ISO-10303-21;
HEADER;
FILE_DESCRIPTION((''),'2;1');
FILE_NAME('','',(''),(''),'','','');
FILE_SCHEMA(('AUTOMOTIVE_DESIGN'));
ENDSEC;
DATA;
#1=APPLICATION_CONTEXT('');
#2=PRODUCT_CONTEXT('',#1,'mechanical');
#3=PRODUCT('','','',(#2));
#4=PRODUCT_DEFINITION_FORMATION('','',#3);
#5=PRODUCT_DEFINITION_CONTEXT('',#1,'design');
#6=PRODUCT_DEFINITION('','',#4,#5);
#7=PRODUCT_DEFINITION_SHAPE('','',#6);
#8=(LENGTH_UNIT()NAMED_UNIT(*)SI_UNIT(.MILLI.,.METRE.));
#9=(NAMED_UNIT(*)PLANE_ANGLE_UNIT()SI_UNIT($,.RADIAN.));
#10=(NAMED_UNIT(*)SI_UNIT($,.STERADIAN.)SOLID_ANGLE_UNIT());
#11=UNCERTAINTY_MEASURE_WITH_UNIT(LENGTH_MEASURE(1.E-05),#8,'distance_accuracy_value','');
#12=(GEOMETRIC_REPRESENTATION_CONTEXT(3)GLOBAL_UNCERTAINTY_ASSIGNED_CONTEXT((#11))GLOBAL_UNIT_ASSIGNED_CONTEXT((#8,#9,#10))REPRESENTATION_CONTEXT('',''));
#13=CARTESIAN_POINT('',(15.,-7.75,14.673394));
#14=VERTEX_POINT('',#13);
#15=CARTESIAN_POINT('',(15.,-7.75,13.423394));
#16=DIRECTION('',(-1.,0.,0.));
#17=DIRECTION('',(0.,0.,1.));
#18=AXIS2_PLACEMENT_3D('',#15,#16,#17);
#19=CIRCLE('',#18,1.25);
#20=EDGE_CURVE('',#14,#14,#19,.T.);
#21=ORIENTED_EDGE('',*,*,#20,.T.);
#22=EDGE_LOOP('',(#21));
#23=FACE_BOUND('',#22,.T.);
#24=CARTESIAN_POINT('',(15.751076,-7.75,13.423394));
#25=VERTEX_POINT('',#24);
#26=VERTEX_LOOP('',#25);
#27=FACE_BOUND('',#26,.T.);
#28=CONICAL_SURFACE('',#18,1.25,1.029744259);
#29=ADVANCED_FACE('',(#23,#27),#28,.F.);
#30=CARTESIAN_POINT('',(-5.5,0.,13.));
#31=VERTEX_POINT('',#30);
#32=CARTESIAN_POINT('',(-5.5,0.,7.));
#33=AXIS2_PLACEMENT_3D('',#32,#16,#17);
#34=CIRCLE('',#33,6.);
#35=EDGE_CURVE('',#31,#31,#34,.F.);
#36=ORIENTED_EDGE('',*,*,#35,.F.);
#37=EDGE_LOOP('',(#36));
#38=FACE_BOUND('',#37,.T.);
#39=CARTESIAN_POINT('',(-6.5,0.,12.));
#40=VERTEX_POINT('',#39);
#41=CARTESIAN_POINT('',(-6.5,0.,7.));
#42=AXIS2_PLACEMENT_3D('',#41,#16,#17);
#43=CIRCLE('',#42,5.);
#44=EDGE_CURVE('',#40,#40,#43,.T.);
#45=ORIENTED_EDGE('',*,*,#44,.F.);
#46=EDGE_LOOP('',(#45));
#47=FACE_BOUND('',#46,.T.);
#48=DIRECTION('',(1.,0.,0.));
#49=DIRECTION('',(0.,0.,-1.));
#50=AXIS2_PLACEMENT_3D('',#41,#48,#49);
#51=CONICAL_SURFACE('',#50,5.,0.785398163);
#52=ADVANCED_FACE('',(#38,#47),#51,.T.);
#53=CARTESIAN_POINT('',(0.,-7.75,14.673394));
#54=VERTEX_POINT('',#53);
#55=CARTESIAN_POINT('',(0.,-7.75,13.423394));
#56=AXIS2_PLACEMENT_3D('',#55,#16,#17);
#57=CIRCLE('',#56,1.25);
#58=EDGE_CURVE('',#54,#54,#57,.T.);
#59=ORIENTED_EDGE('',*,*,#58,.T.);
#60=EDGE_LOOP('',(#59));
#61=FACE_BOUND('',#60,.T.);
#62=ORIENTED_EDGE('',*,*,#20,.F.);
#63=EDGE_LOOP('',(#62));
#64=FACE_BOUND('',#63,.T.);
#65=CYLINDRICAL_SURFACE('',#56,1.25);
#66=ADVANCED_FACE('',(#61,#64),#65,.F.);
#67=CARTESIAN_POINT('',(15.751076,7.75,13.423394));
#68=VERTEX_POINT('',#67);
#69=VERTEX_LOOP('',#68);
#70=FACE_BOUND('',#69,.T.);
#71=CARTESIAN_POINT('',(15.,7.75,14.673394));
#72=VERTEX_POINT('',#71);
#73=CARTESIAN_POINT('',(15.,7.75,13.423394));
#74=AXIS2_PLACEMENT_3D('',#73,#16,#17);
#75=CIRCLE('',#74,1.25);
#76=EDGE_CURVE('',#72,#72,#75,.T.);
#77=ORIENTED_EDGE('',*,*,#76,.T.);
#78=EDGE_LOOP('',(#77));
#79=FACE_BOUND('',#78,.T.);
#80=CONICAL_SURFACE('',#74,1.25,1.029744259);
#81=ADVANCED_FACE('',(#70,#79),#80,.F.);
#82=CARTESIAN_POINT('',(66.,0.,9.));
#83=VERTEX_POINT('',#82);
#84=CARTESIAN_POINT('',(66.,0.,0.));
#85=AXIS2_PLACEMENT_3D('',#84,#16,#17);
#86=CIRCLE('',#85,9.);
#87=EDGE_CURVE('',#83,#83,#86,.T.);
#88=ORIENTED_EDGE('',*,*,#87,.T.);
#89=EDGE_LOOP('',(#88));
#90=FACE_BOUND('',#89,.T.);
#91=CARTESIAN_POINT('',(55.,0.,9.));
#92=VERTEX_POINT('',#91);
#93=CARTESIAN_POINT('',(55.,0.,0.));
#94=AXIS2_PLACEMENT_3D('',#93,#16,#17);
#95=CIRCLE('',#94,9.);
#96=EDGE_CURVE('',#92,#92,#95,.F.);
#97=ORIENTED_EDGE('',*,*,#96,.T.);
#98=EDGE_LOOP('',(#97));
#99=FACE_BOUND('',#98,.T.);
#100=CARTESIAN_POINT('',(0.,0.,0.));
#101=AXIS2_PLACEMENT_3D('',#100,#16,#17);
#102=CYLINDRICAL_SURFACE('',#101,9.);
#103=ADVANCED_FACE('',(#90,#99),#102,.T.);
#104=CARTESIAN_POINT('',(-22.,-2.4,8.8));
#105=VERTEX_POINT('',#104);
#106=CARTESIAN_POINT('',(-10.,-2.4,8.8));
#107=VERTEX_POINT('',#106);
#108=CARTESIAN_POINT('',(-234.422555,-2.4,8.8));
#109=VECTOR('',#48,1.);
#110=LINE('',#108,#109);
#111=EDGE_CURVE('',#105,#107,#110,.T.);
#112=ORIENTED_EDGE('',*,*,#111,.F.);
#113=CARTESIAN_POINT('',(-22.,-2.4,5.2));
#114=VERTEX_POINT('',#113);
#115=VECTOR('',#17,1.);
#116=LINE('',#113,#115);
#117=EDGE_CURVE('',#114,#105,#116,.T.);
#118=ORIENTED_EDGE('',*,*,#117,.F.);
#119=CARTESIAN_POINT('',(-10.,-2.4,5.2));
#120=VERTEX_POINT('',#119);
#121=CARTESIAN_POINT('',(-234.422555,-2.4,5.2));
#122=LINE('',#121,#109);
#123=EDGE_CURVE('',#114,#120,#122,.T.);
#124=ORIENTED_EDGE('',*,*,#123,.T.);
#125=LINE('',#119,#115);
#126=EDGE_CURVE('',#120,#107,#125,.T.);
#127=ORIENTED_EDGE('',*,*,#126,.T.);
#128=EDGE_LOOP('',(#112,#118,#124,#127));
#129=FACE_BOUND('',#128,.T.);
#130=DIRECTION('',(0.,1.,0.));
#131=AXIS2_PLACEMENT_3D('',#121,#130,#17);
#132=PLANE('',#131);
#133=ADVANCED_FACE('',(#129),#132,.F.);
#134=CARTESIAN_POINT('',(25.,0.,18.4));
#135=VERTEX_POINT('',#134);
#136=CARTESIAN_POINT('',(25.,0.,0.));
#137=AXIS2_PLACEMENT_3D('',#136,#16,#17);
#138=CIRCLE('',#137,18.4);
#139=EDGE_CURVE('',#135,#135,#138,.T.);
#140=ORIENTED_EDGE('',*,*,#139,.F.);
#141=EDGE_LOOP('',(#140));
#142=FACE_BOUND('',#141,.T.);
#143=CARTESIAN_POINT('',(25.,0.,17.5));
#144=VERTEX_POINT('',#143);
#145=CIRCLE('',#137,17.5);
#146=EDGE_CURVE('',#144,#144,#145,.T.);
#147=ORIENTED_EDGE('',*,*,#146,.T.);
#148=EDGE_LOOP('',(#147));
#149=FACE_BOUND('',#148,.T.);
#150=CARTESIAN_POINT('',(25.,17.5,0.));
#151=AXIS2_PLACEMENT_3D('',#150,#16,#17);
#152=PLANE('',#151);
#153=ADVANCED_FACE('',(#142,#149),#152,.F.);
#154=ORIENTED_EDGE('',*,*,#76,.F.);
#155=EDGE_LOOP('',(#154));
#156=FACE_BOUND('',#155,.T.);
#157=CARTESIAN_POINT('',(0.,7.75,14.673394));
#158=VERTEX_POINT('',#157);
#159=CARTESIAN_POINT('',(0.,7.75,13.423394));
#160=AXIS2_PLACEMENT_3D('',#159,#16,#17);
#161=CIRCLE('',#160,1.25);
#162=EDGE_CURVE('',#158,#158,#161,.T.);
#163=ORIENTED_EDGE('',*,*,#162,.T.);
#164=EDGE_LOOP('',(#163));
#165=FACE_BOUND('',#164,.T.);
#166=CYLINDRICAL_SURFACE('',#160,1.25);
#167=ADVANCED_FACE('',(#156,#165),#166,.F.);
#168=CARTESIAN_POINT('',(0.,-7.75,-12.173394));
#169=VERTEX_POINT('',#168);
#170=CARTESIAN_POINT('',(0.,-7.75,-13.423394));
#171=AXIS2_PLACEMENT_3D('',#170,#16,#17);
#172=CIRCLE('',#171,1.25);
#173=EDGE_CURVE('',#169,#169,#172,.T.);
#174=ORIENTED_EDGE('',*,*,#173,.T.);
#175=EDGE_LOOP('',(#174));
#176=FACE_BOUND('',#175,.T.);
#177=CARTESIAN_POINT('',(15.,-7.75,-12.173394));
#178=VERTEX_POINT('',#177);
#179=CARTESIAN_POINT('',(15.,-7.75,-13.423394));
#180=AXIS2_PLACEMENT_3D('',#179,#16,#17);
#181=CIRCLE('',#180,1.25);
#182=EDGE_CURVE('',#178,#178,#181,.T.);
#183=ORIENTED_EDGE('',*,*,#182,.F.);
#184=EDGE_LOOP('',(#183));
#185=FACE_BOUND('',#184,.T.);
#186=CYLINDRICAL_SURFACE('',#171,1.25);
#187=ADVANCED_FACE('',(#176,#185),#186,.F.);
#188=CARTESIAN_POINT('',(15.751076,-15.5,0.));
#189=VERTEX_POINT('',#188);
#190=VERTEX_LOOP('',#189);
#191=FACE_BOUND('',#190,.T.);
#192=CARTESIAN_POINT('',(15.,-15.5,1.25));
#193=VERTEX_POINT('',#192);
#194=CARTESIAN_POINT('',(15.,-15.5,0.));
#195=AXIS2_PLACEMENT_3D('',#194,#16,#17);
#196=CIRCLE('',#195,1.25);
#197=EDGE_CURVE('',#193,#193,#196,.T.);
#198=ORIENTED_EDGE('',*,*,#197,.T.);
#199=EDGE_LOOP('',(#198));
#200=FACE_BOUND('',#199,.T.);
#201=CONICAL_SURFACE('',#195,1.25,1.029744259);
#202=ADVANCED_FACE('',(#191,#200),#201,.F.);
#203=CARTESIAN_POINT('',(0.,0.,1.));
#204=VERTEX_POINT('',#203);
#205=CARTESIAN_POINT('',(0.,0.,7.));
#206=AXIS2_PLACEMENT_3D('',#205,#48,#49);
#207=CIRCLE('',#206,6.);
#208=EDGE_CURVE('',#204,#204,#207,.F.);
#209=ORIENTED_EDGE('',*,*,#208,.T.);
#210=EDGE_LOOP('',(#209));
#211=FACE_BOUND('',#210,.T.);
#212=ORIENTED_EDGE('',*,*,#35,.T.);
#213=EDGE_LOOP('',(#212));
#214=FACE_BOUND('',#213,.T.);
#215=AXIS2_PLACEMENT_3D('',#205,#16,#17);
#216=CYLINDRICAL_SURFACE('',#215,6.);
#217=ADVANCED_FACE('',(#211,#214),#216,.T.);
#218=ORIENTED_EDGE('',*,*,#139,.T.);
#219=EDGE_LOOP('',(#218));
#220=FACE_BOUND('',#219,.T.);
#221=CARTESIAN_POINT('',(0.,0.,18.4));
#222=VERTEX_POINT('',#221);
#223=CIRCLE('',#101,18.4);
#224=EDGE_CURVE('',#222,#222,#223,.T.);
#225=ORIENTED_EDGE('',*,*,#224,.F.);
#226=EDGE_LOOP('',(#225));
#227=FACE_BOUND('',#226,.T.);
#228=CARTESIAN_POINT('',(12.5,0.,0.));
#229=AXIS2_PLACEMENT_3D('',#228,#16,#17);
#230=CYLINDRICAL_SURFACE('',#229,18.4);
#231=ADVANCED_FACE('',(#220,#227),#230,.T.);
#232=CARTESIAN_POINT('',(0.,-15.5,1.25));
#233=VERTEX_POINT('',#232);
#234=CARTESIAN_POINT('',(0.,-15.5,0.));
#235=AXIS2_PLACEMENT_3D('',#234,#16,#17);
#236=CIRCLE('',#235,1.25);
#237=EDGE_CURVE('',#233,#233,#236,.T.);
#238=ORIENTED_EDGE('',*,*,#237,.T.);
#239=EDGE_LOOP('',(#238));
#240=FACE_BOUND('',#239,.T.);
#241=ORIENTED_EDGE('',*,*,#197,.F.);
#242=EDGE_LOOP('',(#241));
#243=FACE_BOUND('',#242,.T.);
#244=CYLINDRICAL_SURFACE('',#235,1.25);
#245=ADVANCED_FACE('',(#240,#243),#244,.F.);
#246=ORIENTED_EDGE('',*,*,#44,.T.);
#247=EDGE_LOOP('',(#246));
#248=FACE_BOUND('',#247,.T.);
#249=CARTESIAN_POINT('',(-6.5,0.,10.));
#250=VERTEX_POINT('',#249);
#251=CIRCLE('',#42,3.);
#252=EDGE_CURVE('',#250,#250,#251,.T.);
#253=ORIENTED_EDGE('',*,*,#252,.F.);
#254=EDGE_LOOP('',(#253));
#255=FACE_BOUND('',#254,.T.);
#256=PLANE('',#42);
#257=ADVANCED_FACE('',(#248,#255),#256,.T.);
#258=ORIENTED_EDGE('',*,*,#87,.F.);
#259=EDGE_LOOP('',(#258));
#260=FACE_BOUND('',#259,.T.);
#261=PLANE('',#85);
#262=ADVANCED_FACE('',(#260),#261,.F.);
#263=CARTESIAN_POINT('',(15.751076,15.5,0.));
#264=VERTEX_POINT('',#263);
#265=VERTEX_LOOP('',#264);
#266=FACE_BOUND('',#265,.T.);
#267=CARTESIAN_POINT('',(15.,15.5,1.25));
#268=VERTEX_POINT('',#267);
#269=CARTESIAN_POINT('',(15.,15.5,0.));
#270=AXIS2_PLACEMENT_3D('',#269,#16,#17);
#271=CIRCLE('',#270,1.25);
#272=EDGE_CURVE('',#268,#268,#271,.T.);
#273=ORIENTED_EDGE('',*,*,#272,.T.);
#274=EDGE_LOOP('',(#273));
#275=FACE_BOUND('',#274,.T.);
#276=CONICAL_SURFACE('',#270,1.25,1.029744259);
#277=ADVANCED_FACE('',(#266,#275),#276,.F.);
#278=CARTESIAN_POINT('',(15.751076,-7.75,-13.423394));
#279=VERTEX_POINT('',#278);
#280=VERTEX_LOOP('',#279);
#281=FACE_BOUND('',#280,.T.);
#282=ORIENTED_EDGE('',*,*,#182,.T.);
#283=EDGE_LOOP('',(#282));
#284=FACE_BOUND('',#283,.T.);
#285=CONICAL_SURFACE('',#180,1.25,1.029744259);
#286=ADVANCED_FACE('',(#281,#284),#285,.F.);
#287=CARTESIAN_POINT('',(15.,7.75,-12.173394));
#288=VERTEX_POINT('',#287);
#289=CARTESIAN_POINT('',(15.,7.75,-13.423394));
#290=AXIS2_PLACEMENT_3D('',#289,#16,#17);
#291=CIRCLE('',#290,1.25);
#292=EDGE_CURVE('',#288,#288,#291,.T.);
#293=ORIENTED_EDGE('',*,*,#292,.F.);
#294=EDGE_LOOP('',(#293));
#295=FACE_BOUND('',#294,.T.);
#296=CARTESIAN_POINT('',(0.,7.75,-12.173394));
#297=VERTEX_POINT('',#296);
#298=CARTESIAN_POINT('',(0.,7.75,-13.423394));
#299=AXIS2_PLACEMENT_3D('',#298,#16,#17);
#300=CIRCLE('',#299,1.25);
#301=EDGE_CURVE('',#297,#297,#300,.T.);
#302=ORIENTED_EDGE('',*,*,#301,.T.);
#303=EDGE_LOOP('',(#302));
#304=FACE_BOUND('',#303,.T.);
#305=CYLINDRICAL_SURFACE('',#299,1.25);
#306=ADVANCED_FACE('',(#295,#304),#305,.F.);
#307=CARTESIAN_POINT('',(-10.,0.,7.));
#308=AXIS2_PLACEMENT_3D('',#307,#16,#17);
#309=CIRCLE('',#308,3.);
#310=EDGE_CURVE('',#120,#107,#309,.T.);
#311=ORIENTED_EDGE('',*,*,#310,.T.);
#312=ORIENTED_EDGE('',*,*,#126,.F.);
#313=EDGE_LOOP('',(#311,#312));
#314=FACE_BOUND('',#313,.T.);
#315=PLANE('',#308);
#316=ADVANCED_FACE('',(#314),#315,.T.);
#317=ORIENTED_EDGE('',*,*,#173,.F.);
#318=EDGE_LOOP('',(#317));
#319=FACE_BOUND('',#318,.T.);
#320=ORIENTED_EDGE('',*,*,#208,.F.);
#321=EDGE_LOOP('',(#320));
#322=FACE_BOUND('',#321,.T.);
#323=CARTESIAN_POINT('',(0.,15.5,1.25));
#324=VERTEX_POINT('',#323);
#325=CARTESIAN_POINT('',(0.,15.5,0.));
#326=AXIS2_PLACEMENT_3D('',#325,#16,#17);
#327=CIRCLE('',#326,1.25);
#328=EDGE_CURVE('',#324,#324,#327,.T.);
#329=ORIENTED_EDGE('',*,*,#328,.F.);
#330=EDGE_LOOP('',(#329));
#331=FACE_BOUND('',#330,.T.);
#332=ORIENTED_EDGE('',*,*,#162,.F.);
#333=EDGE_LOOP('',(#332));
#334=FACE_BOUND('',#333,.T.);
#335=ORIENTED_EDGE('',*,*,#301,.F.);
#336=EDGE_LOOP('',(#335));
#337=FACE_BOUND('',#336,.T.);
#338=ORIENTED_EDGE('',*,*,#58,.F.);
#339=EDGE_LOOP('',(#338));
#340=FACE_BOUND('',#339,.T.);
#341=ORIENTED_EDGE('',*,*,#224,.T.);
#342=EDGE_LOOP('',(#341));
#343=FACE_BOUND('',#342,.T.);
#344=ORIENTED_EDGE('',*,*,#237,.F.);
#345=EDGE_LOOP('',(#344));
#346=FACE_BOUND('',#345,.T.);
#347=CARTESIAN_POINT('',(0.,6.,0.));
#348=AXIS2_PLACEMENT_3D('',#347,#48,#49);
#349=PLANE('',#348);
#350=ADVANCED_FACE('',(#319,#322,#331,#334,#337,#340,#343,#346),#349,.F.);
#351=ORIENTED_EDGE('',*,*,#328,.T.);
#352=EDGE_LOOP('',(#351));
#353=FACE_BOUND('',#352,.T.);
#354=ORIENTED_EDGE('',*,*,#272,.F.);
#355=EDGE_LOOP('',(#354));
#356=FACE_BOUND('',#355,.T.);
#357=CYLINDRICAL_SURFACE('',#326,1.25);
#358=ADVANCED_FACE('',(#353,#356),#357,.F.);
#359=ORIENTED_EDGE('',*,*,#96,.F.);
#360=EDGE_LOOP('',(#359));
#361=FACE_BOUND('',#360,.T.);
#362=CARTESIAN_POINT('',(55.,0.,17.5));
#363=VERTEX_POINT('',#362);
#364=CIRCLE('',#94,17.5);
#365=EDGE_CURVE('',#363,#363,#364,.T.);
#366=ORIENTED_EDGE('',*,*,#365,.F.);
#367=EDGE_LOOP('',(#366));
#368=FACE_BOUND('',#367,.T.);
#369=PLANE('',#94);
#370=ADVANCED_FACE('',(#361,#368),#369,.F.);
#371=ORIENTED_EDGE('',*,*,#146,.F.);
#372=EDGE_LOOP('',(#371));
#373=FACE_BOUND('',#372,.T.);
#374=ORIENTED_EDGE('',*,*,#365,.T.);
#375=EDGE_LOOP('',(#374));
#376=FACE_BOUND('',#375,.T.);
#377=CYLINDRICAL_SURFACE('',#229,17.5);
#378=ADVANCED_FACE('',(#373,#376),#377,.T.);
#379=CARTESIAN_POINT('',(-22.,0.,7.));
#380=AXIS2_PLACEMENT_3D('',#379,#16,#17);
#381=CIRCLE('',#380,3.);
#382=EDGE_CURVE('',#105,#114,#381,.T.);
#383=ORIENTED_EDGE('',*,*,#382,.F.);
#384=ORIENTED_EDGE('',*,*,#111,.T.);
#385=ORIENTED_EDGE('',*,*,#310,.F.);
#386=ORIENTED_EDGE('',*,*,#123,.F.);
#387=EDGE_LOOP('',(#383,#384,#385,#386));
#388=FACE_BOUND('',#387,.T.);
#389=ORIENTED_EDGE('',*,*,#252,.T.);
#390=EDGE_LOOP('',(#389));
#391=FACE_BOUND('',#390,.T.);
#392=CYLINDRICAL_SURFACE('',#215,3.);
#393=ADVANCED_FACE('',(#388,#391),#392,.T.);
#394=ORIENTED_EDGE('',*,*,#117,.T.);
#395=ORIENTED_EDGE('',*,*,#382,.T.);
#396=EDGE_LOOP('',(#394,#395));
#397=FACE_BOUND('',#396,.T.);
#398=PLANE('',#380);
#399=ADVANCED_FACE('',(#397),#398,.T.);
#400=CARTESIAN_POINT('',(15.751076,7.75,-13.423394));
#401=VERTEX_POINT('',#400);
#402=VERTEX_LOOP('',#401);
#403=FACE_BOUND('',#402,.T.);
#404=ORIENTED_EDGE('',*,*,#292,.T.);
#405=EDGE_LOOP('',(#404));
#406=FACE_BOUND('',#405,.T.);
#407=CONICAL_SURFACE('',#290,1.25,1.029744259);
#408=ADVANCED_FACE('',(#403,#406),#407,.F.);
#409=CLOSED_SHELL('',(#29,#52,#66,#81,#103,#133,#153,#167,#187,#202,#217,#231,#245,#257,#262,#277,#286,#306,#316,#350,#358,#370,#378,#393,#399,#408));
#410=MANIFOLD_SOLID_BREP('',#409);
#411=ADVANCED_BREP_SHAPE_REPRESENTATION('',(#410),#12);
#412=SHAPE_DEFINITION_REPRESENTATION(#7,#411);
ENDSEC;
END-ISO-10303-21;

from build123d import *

# Parameters (mm, degrees)
ESQUISSE3_W                                   = 15.5
ESQUISSE3_H                                   = 3
ESQUISSE3_W_2                                 = 6.5
ESQUISSE3_H_2                                 = 6
CHANFREIN1_SIZE                               = 1
ENL_V_MAT_EXTRU_1_DEPTH                       = 82.278041315
ENL_V_MAT_EXTRU_1_DEPTH_BACK                  = 12
TROU_POUR_TARAUDAGE_POUR_TROU_TARAUD_M3_D     = 2.5
TROU_POUR_TARAUDAGE_POUR_TROU_TARAUD_M3_DEPTH = 15
TROU_POUR_TARAUDAGE_POUR_TROU_TARAUD_M3_TIP   = 0.751075774
ESQUISSE9_W                                   = 11
ESQUISSE9_H                                   = 9


with BuildPart() as part:
    # Esquisse1 → Révolution10 (revolve)
    with BuildSketch(Plane.XY, mode=Mode.PRIVATE) as r_volution10_sk:
        Polygon((0, 6), (0, 0), (12.5, 0), (55, 0), (55, 17.5), (25, 17.5), (25, 18.4), (0, 18.4), align=None)
    revolve(r_volution10_sk.sketch.rotate(Axis((12.5, 0, 0), (1, 0, 0)), 90), axis=Axis((12.5, 0, 0), (1, 0, 0)))

    # Esquisse3 → Révolution12 (revolve)
    with BuildSketch(Plane.XY.offset(7), mode=Mode.PRIVATE) as r_volution12_sk:
        with Locations((-14.25, 1.5)):
            Rectangle(ESQUISSE3_W, ESQUISSE3_H)
        with Locations((-3.25, 3)):
            Rectangle(ESQUISSE3_W_2, ESQUISSE3_H_2)
    revolve(r_volution12_sk.sketch.rotate(Axis((0, 0, 7), (1, 0, 0)), 90), axis=Axis((0, 0, 7), (1, 0, 0)))

    # Chanfrein1
    chanfrein1_edges = [part.edges().sort_by_distance(p)[0] for p in [
        (-6.5, 0, 1),
    ]]
    chamfer(chanfrein1_edges, length=CHANFREIN1_SIZE)

    # Esquisse4 → Enlèv. mat.-Extru.1 (cut, two sides: drawn at the far end of the back side and taken through both)
    with BuildSketch(Plane.ZY.offset(22).offset(-ENL_V_MAT_EXTRU_1_DEPTH_BACK)):
        Polygon((-73.282990589, -2.4), (5.2, -2.4), (8.8, -2.4), (87.282990589, -2.4), (87.282990589, -159.365981178), (-73.282990589, -159.365981178), align=None)
    extrude(amount=ENL_V_MAT_EXTRU_1_DEPTH + ENL_V_MAT_EXTRU_1_DEPTH_BACK, mode=Mode.SUBTRACT)

    # Trou pour taraudage pour trou taraudé M3x0.51
    with Locations(Plane.ZY):
        with Locations((0, 15.5), (-13.423393759, -7.75), (0, -15.5), (13.423393759, -7.75), (13.423393759, 7.75), (-13.423393759, 7.75)):
            Hole(TROU_POUR_TARAUDAGE_POUR_TROU_TARAUD_M3_D / 2, depth=TROU_POUR_TARAUDAGE_POUR_TROU_TARAUD_M3_DEPTH)
            with Locations((0, 0, -(TROU_POUR_TARAUDAGE_POUR_TROU_TARAUD_M3_DEPTH + TROU_POUR_TARAUDAGE_POUR_TROU_TARAUD_M3_TIP / 2))):  # 118° drill point
                Cone(0, TROU_POUR_TARAUDAGE_POUR_TROU_TARAUD_M3_D / 2, TROU_POUR_TARAUDAGE_POUR_TROU_TARAUD_M3_TIP, mode=Mode.SUBTRACT)

    # Esquisse9 → Révolution13 (revolve)
    with BuildSketch(Plane.XY, mode=Mode.PRIVATE) as r_volution13_sk:
        with Locations((60.5, 4.5)):
            Rectangle(ESQUISSE9_W, ESQUISSE9_H)
    revolve(r_volution13_sk.sketch.rotate(Axis((0, 0, 0), (1, 0, 0)), 90), axis=Axis((0, 0, 0), (1, 0, 0)))


solid = part.part
